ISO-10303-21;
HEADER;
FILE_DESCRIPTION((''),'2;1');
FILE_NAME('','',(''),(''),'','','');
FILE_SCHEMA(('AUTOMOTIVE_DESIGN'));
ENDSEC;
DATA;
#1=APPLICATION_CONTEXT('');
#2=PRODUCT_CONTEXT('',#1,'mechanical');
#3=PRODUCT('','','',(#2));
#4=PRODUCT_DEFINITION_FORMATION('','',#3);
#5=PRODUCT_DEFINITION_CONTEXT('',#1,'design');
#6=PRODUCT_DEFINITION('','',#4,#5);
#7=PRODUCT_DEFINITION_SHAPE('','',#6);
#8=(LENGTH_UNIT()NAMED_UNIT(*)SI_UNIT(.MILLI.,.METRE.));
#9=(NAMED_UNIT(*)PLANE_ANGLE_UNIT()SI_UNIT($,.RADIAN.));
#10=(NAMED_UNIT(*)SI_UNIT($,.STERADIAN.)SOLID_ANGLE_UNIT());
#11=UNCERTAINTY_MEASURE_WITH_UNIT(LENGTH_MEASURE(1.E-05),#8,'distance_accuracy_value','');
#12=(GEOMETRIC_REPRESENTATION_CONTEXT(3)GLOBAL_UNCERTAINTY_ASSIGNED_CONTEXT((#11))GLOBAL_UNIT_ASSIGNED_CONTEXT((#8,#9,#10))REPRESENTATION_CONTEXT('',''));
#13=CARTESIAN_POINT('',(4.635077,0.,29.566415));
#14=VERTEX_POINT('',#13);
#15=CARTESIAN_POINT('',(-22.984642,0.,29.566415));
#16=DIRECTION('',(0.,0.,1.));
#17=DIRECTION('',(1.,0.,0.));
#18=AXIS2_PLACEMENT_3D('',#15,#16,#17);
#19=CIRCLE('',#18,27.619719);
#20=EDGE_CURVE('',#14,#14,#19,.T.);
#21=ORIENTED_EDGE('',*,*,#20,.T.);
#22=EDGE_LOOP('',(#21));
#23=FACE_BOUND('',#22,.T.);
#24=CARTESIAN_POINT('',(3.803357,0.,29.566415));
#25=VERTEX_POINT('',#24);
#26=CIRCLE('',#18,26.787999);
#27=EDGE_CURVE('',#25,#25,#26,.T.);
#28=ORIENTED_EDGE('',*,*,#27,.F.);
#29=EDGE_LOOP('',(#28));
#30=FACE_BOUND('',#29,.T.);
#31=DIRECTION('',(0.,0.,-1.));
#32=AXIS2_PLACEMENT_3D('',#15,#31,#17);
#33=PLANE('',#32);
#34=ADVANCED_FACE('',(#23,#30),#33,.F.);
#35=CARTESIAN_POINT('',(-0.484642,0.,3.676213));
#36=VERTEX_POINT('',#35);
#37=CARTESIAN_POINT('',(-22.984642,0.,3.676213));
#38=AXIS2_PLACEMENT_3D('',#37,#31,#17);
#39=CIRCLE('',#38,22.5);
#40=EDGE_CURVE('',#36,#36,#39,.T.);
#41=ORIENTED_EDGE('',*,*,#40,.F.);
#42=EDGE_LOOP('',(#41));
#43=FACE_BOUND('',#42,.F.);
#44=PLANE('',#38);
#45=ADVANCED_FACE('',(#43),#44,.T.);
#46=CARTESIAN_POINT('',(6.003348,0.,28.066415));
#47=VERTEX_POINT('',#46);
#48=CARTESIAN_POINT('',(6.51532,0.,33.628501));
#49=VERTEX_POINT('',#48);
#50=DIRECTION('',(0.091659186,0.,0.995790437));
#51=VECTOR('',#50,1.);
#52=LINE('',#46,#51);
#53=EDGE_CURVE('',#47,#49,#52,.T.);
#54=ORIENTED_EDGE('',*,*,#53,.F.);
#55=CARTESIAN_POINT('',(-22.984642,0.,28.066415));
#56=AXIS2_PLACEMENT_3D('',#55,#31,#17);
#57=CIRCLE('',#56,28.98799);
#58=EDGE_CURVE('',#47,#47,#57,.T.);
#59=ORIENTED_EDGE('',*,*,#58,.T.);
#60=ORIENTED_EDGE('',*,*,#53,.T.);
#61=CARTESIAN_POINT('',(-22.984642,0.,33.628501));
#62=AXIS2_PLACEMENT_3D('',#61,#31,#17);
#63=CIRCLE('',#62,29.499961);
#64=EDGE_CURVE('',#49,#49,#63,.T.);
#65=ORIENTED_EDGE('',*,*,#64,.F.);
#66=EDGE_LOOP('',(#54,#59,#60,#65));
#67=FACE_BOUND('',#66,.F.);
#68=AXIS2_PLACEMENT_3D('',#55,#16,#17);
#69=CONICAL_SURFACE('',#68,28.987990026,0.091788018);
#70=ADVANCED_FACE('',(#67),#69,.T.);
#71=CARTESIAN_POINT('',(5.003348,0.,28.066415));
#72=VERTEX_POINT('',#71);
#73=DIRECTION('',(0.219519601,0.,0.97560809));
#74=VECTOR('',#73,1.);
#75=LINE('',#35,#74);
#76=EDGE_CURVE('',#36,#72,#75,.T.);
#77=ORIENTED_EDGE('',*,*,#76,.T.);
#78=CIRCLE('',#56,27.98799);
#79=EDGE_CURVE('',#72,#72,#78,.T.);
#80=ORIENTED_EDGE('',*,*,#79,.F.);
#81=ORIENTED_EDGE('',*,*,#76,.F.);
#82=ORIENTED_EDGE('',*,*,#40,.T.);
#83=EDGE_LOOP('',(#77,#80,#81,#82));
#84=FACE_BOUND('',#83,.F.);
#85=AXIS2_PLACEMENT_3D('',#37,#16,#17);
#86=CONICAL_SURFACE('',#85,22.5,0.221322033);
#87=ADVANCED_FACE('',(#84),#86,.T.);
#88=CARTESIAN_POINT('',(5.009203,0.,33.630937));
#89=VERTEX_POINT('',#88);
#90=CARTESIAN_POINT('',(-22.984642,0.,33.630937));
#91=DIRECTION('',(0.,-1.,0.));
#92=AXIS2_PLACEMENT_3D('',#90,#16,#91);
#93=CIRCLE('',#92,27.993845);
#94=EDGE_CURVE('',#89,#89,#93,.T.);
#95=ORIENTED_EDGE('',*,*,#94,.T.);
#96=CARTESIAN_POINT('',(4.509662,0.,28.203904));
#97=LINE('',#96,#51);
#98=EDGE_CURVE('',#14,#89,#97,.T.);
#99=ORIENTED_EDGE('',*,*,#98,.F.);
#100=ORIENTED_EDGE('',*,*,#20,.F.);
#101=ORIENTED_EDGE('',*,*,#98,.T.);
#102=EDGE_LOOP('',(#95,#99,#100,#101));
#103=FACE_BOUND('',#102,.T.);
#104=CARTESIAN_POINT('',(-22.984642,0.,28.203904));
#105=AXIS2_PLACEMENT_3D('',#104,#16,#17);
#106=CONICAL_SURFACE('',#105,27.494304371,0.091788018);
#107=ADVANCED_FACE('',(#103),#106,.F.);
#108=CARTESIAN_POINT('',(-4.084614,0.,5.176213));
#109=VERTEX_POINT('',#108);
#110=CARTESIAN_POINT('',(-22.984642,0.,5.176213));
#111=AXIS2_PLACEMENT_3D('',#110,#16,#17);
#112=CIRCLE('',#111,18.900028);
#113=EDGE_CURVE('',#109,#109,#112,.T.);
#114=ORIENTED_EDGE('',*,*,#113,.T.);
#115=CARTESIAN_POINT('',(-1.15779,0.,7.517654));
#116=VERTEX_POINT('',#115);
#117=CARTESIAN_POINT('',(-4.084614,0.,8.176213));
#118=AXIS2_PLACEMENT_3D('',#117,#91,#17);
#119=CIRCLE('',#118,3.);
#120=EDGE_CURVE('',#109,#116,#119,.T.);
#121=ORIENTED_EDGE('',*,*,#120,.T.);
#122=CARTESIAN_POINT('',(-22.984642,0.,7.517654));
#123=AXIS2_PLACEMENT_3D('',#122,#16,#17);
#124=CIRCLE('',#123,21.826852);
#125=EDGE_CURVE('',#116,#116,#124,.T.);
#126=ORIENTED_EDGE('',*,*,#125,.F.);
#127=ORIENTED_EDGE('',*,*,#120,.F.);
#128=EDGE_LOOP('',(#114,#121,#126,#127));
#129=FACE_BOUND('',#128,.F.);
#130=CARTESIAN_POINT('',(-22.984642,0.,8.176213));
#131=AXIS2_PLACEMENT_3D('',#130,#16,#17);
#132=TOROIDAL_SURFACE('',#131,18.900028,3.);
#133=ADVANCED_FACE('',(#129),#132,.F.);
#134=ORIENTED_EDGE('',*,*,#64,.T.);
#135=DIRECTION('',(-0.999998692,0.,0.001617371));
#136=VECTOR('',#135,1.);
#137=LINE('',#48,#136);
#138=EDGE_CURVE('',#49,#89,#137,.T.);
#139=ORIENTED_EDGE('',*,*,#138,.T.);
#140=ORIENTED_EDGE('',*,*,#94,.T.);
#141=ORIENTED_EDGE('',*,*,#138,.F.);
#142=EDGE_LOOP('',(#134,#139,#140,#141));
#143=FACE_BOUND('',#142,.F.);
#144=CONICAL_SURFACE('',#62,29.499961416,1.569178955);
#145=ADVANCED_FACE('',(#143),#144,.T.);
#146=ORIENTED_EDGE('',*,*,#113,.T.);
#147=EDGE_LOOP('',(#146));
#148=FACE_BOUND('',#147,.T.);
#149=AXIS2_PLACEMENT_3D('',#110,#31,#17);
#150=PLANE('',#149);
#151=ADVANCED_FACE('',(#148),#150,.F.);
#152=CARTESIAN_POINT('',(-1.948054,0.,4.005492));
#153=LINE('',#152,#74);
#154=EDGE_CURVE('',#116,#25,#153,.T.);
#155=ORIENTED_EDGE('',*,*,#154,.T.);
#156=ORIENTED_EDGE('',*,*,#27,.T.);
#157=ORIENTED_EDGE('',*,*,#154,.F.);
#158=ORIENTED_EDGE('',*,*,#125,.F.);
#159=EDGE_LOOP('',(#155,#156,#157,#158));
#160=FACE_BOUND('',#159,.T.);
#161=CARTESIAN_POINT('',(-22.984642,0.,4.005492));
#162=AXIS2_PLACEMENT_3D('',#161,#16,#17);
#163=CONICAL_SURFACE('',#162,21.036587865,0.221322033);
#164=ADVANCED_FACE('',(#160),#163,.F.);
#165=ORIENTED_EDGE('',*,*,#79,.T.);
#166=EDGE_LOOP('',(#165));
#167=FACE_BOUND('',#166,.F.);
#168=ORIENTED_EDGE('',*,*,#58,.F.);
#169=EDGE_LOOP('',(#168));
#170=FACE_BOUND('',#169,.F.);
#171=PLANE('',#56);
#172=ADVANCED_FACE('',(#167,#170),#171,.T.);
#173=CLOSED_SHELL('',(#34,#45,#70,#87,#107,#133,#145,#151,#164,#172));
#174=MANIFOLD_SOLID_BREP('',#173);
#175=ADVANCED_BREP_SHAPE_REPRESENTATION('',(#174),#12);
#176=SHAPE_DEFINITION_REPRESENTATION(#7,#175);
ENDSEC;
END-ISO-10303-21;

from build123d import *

# Parameters (mm, degrees)
F2_T = -1.5
F3_R = 3


with BuildPart() as f1:
    # F0 (on Front) → F1 (revolve)
    with BuildSketch(Plane.XZ):
        Polygon((-22.9846419008, 33.67621309), (-22.9846419008, 3.67621309), (-0.4846419008, 3.67621309), (5.0033481255, 28.0664153333), (6.0033481255, 28.0664153333), (6.5153195148, 33.6285006523), align=None)
    revolve(axis=Axis((-22.9846419008, 0, 18.67621309), (0, 0, -1)))

    # F2
    f2_openings = [f1.faces().sort_by_distance(p)[0] for p in [
        (-37.734623, 0, 33.652357),
    ]]
    offset(amount=F2_T, openings=f2_openings, kind=Kind.INTERSECTION)

    # F3
    f3_edges = [f1.edges().sort_by_distance(p)[0] for p in [
        (-44.284651, 0, 5.176213),
    ]]
    fillet(f3_edges, radius=F3_R)


solid = f1.part
